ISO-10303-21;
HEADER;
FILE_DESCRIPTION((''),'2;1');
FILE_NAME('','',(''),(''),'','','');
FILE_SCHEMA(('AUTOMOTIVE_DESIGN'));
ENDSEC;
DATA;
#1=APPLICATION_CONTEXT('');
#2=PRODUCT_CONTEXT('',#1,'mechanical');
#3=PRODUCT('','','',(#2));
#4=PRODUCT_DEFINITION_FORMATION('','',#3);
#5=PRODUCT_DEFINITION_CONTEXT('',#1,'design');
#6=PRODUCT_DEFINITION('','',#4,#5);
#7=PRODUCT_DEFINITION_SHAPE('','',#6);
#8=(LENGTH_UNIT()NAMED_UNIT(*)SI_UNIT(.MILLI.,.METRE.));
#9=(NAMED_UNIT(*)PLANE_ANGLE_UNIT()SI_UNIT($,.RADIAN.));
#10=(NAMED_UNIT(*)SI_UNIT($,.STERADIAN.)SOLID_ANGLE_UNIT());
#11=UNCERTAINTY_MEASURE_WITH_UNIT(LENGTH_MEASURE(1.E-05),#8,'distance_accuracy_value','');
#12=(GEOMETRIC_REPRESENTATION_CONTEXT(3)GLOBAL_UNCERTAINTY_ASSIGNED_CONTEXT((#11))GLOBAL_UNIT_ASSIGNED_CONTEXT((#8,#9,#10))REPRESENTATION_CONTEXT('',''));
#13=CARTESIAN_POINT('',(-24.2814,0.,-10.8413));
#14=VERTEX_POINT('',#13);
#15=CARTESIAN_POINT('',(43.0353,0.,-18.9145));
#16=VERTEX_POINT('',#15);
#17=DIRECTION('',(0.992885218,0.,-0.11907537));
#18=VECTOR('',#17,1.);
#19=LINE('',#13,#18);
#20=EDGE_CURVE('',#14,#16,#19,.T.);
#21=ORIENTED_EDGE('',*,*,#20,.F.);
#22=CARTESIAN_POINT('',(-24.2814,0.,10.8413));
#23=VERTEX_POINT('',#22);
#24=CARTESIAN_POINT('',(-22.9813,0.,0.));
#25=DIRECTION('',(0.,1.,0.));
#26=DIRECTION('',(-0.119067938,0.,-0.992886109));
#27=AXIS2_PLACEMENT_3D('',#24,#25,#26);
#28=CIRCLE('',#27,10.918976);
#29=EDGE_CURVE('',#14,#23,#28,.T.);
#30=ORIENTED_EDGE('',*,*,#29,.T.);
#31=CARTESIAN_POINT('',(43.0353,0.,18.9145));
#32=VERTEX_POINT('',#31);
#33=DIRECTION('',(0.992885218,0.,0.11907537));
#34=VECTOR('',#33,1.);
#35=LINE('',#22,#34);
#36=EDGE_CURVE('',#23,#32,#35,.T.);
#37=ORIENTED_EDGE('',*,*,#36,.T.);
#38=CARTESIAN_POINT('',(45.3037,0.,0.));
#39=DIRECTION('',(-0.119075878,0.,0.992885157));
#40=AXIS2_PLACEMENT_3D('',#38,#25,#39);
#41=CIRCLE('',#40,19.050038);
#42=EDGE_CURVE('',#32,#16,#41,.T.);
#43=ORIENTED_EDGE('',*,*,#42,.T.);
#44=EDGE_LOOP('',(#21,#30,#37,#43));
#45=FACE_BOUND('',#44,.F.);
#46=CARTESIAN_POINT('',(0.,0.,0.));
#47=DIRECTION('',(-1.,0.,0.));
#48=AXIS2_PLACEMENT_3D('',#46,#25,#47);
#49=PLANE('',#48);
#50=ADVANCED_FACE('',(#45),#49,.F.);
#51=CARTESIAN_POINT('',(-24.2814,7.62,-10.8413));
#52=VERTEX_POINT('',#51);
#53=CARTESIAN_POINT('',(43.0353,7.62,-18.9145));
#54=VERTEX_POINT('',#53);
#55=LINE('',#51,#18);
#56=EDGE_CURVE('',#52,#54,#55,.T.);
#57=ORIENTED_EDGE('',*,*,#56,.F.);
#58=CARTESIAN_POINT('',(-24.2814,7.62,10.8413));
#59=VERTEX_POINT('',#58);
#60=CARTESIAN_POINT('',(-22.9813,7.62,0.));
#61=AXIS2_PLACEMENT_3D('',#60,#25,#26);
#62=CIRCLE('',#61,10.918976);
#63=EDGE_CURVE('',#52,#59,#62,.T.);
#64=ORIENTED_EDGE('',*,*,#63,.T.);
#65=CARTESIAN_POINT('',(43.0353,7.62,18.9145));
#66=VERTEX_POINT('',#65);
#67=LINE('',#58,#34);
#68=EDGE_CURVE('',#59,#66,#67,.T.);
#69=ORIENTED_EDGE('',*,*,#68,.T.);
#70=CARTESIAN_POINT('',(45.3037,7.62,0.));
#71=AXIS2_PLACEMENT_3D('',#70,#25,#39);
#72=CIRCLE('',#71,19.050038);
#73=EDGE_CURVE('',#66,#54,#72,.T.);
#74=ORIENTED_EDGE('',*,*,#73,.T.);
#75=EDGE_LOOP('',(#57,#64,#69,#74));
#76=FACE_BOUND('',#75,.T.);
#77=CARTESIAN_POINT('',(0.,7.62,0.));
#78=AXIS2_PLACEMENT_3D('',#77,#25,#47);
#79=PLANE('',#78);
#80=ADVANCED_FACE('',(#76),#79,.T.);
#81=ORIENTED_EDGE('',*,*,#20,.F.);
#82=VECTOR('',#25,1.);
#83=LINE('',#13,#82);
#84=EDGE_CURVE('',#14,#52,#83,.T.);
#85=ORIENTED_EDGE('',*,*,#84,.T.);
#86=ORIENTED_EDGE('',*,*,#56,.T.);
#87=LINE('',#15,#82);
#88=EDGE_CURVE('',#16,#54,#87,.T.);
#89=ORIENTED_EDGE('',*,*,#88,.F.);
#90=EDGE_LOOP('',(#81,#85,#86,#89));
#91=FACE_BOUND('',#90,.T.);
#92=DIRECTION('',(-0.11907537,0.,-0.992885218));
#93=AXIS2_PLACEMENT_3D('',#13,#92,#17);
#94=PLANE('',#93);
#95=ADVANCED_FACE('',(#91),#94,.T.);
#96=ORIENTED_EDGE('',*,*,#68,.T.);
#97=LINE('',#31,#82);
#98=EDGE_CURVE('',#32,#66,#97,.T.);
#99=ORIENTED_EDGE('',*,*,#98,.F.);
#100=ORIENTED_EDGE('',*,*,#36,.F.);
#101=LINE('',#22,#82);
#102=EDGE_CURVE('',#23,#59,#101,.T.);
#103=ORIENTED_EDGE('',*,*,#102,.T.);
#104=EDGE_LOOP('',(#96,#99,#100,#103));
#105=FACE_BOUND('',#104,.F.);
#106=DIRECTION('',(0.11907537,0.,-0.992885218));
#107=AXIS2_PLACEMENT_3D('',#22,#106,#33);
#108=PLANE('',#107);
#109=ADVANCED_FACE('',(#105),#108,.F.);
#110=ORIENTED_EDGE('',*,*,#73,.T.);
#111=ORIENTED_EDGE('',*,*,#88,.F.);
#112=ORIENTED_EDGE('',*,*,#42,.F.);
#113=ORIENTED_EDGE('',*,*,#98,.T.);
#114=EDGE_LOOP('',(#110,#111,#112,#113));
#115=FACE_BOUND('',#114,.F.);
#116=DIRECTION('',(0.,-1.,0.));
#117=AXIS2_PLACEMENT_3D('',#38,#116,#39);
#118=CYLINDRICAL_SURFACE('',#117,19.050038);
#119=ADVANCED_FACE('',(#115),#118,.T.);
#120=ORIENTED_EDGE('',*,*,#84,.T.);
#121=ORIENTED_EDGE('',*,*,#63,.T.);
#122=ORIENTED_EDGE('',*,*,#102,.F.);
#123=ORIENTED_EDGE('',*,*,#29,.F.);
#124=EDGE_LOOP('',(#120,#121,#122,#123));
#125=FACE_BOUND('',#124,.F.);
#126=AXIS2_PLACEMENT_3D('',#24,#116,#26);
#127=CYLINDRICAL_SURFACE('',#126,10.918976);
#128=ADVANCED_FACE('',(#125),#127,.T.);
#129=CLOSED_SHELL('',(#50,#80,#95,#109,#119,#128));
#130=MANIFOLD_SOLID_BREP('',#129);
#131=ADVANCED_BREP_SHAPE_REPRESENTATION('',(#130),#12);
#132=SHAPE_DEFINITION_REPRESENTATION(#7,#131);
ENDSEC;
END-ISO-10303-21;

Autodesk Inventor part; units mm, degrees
ref_plane "YZ Plane" through (0, 0, 0) normal (1, 0, 0) x (0, 1, 0)
ref_plane "XZ Plane" through (0, 0, 0) normal (0, 1, 0) x (-1, 0, 0)
ref_plane "XY Plane" through (0, 0, 0) normal (0, 0, 1) x (1, 0, 0)
sketch "Sketch4" plane through (0, 0, 0) normal (0, 1, 0) x (-1, 0, 0)
  circle A0 centre (30.8963, 0) radius 12.7 construction
  circle A1 centre (-45.3037, 0) radius 19.05 construction
  line L0 (-45.3037, 0) -> (30.8963, 0) construction
  line L1 (24.2814, 10.8413) -> (-43.0353, 18.9145) construction
  line L2 (24.2814, -10.8413) -> (-43.0353, -18.9145) construction
  line L3 (24.2814, 10.8413) -> (-43.0353, 18.9145)
  line L4 (24.2814, -10.8413) -> (-43.0353, -18.9145)
  arc A2 (24.2814, -10.8413) -> (24.2814, 10.8413) centre (22.9813, 0) ccw
  arc A3 (-43.0353, 18.9145) -> (-43.0353, -18.9145) centre (-45.3037, 0) ccw
  point P0 (0, 0)
  dimension "d4" = 25.4
  dimension "d5" = 38.1
  dimension "d6" = 76.2
extrude "Extrusion1" add sketch "Sketch4" along normal blind 7.62
properties part number "Arm"
